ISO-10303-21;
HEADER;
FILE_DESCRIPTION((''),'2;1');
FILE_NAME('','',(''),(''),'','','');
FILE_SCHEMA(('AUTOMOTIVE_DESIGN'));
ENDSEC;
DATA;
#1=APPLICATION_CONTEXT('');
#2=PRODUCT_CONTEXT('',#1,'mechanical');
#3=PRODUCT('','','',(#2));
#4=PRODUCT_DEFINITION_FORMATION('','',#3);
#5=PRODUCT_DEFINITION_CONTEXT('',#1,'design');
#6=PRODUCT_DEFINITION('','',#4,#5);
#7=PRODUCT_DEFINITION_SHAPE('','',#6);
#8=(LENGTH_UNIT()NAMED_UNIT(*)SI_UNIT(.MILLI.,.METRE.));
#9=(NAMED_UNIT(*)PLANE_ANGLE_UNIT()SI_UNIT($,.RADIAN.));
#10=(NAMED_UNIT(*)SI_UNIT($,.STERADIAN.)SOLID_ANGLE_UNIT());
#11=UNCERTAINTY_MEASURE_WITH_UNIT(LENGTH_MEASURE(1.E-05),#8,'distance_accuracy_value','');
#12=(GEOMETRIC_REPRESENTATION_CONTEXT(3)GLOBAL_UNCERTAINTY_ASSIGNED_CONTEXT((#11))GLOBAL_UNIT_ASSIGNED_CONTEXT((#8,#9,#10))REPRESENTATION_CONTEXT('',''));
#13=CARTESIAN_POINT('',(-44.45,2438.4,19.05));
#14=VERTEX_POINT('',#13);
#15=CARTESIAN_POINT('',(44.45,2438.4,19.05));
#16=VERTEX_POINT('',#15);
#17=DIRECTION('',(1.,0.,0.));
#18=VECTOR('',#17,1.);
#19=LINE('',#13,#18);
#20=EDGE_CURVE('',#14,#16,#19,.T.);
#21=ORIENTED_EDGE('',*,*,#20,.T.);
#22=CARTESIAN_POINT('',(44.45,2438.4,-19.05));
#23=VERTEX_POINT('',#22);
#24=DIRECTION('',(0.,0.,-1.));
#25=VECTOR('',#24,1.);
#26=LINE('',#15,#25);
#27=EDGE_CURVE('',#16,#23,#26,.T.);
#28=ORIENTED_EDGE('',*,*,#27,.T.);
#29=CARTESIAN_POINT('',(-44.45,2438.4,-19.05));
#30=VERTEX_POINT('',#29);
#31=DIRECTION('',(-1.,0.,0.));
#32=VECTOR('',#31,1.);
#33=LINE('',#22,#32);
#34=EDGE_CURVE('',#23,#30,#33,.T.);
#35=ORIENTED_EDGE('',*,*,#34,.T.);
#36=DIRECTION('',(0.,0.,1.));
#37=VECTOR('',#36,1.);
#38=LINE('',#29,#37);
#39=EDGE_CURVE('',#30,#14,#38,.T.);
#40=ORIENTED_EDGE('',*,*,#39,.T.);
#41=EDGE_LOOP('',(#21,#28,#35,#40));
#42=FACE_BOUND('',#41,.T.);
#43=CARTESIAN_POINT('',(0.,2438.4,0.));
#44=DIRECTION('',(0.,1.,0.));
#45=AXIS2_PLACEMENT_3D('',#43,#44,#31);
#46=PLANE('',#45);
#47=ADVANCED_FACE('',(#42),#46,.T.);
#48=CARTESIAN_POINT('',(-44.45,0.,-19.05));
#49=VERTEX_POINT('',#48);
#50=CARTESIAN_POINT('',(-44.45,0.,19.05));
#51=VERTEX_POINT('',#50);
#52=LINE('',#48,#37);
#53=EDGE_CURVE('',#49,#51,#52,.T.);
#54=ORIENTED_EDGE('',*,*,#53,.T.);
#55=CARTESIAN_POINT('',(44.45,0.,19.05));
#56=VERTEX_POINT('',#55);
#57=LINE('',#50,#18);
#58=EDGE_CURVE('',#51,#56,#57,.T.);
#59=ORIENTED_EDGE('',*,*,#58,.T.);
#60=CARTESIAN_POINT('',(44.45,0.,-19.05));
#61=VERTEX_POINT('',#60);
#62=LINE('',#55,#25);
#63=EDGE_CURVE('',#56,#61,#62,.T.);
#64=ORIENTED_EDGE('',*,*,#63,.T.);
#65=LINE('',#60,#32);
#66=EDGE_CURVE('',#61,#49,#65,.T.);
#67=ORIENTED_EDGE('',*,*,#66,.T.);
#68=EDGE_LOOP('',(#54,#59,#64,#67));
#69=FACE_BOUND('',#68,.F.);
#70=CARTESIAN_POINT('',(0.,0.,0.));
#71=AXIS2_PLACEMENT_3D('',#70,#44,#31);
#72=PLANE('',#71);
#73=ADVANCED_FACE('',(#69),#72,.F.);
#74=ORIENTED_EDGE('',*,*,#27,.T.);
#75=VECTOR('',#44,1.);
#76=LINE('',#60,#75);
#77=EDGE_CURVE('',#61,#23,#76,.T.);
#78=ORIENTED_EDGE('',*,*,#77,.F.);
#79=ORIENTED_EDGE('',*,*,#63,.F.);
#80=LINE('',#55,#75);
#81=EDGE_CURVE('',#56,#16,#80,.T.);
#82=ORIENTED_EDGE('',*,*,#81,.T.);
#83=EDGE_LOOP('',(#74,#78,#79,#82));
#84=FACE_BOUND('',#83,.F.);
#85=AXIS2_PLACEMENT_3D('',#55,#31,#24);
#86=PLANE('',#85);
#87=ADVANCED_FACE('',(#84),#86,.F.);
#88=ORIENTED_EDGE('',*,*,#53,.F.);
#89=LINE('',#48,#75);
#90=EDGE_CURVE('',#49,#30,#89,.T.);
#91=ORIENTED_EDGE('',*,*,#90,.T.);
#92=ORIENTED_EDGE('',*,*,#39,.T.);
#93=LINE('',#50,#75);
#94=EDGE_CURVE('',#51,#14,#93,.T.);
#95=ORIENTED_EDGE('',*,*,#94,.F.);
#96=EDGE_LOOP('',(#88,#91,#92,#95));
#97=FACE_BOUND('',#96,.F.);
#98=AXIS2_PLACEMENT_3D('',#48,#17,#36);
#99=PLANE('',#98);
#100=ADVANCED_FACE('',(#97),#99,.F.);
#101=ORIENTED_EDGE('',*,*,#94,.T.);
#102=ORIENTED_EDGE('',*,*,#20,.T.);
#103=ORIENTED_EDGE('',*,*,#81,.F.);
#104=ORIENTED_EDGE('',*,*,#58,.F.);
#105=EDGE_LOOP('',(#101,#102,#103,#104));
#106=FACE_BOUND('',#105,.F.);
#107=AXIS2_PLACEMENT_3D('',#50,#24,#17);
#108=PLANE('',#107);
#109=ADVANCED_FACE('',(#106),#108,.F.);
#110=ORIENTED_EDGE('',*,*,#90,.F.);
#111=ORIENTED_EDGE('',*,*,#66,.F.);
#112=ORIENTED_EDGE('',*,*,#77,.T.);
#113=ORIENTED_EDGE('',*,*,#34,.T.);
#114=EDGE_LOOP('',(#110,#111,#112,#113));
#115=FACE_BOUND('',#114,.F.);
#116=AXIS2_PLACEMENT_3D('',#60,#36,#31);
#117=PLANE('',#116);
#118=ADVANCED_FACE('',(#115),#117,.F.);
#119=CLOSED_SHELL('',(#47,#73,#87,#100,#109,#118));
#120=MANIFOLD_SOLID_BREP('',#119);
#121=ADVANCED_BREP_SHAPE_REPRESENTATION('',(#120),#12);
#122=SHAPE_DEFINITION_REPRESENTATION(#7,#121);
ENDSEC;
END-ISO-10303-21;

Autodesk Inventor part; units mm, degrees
ref_plane "YZ Plane" through (0, 0, 0) normal (1, 0, 0) x (0, 1, 0)
ref_plane "XZ Plane" through (0, 0, 0) normal (0, 1, 0) x (-1, 0, 0)
ref_plane "XY Plane" through (0, 0, 0) normal (0, 0, 1) x (1, 0, 0)
sketch "Sketch1" plane through (0, 0, 0) normal (0, 1, 0) x (-1, 0, 0)
  line L0 (-44.45, -19.05) -> (44.45, -19.05)
  line L1 (44.45, -19.05) -> (44.45, 19.05)
  line L2 (44.45, 19.05) -> (-44.45, 19.05)
  line L3 (-44.45, 19.05) -> (-44.45, -19.05)
  line L4 (-44.45, -19.05) -> (44.45, 19.05) construction
  line L5 (44.45, -19.05) -> (-44.45, 19.05) construction
  point P0 (0, 0)
  dimension "d0" = 38.1
  dimension "d1" = 88.9
extrude "Extrusion1" add sketch "Sketch1" along normal blind 2438.4
properties part number "10'x2x4"
